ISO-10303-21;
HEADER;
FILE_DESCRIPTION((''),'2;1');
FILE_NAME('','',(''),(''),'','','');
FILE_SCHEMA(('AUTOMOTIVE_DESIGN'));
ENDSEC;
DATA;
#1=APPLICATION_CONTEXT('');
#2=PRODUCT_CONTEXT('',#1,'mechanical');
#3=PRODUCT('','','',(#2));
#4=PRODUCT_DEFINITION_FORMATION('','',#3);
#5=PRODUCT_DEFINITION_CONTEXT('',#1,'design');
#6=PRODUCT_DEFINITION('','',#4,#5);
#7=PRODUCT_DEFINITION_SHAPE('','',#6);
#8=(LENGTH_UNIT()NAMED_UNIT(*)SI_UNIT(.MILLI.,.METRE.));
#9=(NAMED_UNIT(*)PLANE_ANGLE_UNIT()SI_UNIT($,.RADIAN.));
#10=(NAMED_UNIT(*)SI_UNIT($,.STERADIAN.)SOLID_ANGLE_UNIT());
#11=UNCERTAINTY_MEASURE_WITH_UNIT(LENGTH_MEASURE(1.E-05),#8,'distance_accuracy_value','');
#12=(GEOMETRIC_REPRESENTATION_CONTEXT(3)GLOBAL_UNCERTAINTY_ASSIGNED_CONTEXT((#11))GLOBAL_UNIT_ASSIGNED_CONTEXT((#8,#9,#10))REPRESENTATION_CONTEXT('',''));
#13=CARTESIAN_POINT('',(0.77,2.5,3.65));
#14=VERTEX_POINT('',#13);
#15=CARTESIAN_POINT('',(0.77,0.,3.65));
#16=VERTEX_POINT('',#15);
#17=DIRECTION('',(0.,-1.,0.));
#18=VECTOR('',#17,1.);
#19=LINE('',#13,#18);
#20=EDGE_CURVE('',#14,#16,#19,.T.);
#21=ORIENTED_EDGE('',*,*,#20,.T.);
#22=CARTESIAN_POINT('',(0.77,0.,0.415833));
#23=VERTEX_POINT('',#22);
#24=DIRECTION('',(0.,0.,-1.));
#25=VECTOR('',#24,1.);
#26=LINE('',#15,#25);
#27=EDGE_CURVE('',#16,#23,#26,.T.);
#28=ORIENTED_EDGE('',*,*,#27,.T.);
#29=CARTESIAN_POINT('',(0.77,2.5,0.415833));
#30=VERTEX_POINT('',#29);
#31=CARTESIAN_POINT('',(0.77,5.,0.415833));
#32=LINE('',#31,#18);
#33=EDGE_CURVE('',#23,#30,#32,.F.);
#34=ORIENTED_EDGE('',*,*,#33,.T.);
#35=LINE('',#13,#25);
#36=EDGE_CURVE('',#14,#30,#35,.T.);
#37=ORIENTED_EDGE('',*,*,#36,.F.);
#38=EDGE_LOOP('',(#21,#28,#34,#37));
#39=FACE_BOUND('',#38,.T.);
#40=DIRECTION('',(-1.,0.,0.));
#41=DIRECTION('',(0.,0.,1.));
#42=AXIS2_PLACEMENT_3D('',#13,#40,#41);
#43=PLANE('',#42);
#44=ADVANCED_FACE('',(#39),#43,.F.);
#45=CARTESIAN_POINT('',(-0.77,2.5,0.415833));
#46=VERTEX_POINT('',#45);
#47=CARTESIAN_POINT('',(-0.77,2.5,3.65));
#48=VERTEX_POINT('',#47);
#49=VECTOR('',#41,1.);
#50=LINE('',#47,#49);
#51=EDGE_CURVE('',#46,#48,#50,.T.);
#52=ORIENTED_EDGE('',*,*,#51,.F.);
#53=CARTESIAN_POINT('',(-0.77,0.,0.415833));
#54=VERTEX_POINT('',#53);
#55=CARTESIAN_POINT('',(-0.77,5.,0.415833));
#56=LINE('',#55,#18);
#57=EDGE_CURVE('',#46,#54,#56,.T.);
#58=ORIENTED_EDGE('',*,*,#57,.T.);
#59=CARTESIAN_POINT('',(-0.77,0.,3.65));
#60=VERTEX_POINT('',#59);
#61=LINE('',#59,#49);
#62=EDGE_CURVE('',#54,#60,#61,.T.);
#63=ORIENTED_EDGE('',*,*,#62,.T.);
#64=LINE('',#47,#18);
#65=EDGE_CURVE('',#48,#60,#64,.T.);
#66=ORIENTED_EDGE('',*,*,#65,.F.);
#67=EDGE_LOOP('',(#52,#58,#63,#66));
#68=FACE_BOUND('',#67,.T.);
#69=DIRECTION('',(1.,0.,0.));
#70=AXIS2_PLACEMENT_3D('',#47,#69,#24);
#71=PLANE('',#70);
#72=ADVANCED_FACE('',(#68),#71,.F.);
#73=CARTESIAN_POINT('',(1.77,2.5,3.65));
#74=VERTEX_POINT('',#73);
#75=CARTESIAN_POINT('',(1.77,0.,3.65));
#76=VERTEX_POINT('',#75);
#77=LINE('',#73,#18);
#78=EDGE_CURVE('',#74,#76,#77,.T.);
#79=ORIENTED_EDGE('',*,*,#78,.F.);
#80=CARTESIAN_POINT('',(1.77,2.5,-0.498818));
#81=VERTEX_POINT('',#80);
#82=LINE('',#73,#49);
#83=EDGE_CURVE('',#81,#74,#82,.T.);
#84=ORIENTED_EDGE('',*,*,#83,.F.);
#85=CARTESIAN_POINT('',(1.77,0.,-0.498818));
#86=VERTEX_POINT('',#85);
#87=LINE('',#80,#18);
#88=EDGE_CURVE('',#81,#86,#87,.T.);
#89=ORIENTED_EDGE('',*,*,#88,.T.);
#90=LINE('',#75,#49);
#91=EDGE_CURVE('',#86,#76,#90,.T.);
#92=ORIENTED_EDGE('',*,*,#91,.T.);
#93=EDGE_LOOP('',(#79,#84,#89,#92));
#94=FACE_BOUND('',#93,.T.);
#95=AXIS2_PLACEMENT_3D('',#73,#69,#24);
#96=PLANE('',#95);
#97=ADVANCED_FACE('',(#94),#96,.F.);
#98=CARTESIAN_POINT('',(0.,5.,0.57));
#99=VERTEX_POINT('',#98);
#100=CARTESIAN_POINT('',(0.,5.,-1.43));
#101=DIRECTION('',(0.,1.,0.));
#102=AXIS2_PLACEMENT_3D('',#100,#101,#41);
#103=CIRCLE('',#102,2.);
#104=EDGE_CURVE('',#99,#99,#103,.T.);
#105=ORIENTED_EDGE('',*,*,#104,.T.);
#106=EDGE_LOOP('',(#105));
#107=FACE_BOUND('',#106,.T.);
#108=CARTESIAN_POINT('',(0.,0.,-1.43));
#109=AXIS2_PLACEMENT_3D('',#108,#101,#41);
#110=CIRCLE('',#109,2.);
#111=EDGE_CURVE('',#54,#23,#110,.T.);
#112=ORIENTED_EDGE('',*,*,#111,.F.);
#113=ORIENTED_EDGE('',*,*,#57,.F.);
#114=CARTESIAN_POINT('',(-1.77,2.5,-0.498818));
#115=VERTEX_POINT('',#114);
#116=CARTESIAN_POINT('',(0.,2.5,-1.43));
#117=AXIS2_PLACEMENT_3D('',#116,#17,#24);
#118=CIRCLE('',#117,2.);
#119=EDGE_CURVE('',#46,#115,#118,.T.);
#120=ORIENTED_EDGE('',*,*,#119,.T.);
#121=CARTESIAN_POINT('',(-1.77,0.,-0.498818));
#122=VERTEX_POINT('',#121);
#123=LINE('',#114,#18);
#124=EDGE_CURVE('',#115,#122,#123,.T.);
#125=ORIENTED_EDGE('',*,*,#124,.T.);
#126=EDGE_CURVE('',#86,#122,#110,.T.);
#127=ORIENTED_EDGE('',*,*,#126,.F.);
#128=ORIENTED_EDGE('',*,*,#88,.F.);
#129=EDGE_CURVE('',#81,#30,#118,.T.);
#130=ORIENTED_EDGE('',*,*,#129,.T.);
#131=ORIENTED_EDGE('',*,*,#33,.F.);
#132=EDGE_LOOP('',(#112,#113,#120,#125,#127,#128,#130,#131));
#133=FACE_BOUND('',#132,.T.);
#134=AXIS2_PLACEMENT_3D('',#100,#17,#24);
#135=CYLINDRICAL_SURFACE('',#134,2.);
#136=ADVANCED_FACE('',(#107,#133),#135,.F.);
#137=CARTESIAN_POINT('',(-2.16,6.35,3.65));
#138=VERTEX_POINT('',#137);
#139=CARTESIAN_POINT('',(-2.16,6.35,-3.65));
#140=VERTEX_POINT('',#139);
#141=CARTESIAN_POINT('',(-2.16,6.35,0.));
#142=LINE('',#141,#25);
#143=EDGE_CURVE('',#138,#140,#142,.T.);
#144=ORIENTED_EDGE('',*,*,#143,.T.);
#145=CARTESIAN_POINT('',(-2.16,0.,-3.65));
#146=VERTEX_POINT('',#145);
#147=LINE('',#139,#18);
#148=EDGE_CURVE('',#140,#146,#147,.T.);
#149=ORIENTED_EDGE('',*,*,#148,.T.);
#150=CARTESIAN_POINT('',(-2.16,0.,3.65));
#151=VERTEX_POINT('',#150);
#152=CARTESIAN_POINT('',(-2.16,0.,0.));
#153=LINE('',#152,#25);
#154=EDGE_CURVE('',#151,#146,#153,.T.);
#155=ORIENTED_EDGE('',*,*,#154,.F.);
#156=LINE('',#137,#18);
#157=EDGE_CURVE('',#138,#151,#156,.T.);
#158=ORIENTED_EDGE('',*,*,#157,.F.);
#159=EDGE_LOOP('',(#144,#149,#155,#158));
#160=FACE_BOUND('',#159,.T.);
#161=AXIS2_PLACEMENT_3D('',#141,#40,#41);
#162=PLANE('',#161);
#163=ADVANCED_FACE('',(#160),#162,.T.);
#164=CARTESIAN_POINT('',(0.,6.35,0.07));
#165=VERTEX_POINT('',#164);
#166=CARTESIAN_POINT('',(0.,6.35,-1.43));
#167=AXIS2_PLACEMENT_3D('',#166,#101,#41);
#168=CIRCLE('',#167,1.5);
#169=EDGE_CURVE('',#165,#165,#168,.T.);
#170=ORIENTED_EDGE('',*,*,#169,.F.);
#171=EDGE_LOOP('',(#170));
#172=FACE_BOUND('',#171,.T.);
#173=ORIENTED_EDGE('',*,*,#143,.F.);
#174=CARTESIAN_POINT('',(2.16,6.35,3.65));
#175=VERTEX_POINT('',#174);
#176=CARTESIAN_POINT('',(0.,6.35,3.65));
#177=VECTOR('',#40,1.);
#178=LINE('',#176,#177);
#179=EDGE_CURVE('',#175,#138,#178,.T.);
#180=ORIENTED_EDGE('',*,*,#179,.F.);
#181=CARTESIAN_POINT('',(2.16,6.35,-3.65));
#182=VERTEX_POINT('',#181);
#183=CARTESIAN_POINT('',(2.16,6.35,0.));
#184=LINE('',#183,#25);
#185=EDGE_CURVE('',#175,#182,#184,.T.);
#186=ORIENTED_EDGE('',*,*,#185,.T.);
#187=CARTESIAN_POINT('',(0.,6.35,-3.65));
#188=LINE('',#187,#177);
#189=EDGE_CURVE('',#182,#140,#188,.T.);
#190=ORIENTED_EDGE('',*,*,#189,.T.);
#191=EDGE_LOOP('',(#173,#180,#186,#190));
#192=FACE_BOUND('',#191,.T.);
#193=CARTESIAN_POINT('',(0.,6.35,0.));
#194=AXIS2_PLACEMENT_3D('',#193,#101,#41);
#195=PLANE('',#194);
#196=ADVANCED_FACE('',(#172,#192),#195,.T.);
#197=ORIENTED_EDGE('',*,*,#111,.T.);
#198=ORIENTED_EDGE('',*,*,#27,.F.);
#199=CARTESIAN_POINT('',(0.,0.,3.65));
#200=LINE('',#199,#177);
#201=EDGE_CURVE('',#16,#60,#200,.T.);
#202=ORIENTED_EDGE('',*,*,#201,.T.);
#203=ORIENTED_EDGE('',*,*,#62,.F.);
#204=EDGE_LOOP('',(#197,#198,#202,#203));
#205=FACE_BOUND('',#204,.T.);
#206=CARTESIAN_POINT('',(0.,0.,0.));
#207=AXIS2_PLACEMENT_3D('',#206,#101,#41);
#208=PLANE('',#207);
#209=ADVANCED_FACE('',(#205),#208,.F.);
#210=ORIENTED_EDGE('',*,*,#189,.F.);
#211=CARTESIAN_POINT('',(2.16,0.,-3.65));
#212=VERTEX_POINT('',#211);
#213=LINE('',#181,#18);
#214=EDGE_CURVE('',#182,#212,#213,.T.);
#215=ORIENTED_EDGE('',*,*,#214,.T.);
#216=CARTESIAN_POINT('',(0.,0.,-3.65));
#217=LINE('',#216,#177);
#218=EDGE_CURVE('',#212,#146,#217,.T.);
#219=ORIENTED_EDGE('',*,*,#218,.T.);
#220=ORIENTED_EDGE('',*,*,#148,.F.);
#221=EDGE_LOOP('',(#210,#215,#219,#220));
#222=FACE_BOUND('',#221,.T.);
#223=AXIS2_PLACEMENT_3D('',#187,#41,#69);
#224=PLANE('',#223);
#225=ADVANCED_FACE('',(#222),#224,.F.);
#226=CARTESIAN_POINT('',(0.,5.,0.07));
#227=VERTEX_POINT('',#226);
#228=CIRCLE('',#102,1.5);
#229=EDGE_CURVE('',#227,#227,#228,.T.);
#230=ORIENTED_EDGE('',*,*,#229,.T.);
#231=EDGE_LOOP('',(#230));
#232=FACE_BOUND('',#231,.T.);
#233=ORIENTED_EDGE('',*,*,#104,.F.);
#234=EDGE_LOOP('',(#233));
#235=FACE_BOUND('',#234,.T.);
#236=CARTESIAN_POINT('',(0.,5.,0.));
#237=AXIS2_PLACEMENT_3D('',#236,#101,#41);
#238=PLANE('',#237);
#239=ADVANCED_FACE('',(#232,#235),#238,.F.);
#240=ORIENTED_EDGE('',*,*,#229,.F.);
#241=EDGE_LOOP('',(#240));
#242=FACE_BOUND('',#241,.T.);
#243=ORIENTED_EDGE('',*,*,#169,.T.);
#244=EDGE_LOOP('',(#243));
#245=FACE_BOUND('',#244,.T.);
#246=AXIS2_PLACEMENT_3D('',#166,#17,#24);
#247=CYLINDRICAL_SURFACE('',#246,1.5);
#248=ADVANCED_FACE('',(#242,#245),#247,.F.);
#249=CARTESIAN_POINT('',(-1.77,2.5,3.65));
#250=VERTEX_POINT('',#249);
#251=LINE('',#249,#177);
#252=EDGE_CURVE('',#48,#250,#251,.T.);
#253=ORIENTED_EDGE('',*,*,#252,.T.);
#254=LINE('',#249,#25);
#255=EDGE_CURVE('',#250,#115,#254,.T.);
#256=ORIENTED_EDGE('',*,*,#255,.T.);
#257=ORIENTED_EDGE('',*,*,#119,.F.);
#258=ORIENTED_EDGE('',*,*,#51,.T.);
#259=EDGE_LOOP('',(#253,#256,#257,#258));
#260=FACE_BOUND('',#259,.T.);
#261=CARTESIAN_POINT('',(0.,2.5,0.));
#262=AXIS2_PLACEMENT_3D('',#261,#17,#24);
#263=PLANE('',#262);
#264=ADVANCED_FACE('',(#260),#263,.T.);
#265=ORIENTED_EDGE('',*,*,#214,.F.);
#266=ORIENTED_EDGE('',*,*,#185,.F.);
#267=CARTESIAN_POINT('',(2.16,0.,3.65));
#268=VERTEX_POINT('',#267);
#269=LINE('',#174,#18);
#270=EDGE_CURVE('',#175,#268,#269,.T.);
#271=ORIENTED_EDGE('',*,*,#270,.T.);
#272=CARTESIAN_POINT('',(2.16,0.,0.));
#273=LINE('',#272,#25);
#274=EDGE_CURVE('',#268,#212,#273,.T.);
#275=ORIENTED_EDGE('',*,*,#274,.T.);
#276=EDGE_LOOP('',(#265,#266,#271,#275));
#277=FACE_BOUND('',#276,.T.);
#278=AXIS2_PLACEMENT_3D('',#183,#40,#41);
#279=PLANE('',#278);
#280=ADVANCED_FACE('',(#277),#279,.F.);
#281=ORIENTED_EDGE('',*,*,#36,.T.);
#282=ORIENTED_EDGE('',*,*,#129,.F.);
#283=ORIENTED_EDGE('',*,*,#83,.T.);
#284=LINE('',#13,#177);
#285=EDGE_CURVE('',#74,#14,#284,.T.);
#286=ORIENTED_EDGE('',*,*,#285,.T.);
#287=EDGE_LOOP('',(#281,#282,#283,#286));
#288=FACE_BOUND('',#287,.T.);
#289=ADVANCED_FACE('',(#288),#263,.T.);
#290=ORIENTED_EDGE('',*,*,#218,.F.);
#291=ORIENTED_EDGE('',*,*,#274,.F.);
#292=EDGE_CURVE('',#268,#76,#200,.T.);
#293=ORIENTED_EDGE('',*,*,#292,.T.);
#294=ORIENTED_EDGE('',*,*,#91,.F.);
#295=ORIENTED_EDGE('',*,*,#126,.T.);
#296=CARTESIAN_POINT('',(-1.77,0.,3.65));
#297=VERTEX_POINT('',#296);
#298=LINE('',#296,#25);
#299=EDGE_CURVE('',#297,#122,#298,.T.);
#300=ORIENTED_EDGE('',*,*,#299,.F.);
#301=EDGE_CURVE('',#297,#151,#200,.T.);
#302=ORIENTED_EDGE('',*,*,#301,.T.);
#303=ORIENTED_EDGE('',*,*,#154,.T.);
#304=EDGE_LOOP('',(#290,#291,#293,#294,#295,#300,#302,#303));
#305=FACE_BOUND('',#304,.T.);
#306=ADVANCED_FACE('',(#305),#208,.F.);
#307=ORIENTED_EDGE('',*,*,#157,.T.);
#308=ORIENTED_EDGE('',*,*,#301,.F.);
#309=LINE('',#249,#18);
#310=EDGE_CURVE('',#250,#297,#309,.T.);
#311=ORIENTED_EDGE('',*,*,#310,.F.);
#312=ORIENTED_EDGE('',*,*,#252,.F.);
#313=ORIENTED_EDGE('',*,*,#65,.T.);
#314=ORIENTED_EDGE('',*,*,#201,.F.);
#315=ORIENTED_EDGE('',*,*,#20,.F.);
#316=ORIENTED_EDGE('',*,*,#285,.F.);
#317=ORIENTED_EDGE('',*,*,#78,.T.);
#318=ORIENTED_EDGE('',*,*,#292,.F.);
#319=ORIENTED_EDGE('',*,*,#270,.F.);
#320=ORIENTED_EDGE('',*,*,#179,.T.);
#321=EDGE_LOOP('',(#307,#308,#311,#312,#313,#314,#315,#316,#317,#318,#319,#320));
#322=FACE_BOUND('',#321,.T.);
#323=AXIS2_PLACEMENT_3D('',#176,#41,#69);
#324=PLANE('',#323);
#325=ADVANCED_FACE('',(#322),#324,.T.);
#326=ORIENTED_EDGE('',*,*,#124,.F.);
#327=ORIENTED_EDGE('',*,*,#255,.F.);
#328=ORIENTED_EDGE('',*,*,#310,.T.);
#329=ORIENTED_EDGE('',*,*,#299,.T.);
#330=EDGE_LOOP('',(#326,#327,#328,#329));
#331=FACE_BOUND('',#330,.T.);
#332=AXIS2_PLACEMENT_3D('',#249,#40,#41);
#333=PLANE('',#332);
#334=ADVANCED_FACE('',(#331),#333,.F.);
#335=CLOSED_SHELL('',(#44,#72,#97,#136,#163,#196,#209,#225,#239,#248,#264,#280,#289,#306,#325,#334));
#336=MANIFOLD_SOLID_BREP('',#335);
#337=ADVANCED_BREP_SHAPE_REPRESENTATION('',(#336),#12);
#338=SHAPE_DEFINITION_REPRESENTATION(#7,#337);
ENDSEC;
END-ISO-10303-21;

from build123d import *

# Parameters (mm, degrees)
SKETCH_1_W          = 4.32
SKETCH_1_H          = 7.3
SKETCH_1_R          = 1.5
EXTRUDE_2_DEPTH     = 6.35
SKETCH_1_4_R        = 2
SKETCH_1_4_R_2      = 1.5
CUT_EXTRUDE_1_DEPTH = 5
SKETCH_2_W          = 1
SKETCH_2_H          = 4.148817955
CUT_EXTRUDE_2_DEPTH = 2.5


with BuildPart() as part:
    # Эскиз1 → Бобышка-Вытянуть2 (new body)
    with BuildSketch(Plane(origin=(0, 0, 0), x_dir=(1, 0, 0), z_dir=(0, 1, 0))):
        Rectangle(SKETCH_1_W, SKETCH_1_H)
        with Locations((0, 1.43)):
            Circle(SKETCH_1_R, mode=Mode.SUBTRACT)
    extrude(amount=EXTRUDE_2_DEPTH)

    # Эскиз1<4> → Вырез-Вытянуть1 (cut)
    with BuildSketch(Plane(origin=(0, 0, 0), x_dir=(1, 0, 0), z_dir=(0, 1, 0))):
        with Locations((0, 1.43)):
            Circle(SKETCH_1_4_R)
        with Locations((0, 1.43)):
            Circle(SKETCH_1_4_R_2, mode=Mode.SUBTRACT)
    extrude(amount=CUT_EXTRUDE_1_DEPTH, mode=Mode.SUBTRACT)

    # Эскиз2 → Вырез-Вытянуть2 (cut)
    with BuildSketch(Plane.XZ):
        with Locations((-1.27, 1.575591023)):
            Rectangle(SKETCH_2_W, SKETCH_2_H)
        with Locations((1.27, 1.575591023)):
            Rectangle(SKETCH_2_W, SKETCH_2_H)
    extrude(amount=-CUT_EXTRUDE_2_DEPTH, mode=Mode.SUBTRACT)


solid = part.part
